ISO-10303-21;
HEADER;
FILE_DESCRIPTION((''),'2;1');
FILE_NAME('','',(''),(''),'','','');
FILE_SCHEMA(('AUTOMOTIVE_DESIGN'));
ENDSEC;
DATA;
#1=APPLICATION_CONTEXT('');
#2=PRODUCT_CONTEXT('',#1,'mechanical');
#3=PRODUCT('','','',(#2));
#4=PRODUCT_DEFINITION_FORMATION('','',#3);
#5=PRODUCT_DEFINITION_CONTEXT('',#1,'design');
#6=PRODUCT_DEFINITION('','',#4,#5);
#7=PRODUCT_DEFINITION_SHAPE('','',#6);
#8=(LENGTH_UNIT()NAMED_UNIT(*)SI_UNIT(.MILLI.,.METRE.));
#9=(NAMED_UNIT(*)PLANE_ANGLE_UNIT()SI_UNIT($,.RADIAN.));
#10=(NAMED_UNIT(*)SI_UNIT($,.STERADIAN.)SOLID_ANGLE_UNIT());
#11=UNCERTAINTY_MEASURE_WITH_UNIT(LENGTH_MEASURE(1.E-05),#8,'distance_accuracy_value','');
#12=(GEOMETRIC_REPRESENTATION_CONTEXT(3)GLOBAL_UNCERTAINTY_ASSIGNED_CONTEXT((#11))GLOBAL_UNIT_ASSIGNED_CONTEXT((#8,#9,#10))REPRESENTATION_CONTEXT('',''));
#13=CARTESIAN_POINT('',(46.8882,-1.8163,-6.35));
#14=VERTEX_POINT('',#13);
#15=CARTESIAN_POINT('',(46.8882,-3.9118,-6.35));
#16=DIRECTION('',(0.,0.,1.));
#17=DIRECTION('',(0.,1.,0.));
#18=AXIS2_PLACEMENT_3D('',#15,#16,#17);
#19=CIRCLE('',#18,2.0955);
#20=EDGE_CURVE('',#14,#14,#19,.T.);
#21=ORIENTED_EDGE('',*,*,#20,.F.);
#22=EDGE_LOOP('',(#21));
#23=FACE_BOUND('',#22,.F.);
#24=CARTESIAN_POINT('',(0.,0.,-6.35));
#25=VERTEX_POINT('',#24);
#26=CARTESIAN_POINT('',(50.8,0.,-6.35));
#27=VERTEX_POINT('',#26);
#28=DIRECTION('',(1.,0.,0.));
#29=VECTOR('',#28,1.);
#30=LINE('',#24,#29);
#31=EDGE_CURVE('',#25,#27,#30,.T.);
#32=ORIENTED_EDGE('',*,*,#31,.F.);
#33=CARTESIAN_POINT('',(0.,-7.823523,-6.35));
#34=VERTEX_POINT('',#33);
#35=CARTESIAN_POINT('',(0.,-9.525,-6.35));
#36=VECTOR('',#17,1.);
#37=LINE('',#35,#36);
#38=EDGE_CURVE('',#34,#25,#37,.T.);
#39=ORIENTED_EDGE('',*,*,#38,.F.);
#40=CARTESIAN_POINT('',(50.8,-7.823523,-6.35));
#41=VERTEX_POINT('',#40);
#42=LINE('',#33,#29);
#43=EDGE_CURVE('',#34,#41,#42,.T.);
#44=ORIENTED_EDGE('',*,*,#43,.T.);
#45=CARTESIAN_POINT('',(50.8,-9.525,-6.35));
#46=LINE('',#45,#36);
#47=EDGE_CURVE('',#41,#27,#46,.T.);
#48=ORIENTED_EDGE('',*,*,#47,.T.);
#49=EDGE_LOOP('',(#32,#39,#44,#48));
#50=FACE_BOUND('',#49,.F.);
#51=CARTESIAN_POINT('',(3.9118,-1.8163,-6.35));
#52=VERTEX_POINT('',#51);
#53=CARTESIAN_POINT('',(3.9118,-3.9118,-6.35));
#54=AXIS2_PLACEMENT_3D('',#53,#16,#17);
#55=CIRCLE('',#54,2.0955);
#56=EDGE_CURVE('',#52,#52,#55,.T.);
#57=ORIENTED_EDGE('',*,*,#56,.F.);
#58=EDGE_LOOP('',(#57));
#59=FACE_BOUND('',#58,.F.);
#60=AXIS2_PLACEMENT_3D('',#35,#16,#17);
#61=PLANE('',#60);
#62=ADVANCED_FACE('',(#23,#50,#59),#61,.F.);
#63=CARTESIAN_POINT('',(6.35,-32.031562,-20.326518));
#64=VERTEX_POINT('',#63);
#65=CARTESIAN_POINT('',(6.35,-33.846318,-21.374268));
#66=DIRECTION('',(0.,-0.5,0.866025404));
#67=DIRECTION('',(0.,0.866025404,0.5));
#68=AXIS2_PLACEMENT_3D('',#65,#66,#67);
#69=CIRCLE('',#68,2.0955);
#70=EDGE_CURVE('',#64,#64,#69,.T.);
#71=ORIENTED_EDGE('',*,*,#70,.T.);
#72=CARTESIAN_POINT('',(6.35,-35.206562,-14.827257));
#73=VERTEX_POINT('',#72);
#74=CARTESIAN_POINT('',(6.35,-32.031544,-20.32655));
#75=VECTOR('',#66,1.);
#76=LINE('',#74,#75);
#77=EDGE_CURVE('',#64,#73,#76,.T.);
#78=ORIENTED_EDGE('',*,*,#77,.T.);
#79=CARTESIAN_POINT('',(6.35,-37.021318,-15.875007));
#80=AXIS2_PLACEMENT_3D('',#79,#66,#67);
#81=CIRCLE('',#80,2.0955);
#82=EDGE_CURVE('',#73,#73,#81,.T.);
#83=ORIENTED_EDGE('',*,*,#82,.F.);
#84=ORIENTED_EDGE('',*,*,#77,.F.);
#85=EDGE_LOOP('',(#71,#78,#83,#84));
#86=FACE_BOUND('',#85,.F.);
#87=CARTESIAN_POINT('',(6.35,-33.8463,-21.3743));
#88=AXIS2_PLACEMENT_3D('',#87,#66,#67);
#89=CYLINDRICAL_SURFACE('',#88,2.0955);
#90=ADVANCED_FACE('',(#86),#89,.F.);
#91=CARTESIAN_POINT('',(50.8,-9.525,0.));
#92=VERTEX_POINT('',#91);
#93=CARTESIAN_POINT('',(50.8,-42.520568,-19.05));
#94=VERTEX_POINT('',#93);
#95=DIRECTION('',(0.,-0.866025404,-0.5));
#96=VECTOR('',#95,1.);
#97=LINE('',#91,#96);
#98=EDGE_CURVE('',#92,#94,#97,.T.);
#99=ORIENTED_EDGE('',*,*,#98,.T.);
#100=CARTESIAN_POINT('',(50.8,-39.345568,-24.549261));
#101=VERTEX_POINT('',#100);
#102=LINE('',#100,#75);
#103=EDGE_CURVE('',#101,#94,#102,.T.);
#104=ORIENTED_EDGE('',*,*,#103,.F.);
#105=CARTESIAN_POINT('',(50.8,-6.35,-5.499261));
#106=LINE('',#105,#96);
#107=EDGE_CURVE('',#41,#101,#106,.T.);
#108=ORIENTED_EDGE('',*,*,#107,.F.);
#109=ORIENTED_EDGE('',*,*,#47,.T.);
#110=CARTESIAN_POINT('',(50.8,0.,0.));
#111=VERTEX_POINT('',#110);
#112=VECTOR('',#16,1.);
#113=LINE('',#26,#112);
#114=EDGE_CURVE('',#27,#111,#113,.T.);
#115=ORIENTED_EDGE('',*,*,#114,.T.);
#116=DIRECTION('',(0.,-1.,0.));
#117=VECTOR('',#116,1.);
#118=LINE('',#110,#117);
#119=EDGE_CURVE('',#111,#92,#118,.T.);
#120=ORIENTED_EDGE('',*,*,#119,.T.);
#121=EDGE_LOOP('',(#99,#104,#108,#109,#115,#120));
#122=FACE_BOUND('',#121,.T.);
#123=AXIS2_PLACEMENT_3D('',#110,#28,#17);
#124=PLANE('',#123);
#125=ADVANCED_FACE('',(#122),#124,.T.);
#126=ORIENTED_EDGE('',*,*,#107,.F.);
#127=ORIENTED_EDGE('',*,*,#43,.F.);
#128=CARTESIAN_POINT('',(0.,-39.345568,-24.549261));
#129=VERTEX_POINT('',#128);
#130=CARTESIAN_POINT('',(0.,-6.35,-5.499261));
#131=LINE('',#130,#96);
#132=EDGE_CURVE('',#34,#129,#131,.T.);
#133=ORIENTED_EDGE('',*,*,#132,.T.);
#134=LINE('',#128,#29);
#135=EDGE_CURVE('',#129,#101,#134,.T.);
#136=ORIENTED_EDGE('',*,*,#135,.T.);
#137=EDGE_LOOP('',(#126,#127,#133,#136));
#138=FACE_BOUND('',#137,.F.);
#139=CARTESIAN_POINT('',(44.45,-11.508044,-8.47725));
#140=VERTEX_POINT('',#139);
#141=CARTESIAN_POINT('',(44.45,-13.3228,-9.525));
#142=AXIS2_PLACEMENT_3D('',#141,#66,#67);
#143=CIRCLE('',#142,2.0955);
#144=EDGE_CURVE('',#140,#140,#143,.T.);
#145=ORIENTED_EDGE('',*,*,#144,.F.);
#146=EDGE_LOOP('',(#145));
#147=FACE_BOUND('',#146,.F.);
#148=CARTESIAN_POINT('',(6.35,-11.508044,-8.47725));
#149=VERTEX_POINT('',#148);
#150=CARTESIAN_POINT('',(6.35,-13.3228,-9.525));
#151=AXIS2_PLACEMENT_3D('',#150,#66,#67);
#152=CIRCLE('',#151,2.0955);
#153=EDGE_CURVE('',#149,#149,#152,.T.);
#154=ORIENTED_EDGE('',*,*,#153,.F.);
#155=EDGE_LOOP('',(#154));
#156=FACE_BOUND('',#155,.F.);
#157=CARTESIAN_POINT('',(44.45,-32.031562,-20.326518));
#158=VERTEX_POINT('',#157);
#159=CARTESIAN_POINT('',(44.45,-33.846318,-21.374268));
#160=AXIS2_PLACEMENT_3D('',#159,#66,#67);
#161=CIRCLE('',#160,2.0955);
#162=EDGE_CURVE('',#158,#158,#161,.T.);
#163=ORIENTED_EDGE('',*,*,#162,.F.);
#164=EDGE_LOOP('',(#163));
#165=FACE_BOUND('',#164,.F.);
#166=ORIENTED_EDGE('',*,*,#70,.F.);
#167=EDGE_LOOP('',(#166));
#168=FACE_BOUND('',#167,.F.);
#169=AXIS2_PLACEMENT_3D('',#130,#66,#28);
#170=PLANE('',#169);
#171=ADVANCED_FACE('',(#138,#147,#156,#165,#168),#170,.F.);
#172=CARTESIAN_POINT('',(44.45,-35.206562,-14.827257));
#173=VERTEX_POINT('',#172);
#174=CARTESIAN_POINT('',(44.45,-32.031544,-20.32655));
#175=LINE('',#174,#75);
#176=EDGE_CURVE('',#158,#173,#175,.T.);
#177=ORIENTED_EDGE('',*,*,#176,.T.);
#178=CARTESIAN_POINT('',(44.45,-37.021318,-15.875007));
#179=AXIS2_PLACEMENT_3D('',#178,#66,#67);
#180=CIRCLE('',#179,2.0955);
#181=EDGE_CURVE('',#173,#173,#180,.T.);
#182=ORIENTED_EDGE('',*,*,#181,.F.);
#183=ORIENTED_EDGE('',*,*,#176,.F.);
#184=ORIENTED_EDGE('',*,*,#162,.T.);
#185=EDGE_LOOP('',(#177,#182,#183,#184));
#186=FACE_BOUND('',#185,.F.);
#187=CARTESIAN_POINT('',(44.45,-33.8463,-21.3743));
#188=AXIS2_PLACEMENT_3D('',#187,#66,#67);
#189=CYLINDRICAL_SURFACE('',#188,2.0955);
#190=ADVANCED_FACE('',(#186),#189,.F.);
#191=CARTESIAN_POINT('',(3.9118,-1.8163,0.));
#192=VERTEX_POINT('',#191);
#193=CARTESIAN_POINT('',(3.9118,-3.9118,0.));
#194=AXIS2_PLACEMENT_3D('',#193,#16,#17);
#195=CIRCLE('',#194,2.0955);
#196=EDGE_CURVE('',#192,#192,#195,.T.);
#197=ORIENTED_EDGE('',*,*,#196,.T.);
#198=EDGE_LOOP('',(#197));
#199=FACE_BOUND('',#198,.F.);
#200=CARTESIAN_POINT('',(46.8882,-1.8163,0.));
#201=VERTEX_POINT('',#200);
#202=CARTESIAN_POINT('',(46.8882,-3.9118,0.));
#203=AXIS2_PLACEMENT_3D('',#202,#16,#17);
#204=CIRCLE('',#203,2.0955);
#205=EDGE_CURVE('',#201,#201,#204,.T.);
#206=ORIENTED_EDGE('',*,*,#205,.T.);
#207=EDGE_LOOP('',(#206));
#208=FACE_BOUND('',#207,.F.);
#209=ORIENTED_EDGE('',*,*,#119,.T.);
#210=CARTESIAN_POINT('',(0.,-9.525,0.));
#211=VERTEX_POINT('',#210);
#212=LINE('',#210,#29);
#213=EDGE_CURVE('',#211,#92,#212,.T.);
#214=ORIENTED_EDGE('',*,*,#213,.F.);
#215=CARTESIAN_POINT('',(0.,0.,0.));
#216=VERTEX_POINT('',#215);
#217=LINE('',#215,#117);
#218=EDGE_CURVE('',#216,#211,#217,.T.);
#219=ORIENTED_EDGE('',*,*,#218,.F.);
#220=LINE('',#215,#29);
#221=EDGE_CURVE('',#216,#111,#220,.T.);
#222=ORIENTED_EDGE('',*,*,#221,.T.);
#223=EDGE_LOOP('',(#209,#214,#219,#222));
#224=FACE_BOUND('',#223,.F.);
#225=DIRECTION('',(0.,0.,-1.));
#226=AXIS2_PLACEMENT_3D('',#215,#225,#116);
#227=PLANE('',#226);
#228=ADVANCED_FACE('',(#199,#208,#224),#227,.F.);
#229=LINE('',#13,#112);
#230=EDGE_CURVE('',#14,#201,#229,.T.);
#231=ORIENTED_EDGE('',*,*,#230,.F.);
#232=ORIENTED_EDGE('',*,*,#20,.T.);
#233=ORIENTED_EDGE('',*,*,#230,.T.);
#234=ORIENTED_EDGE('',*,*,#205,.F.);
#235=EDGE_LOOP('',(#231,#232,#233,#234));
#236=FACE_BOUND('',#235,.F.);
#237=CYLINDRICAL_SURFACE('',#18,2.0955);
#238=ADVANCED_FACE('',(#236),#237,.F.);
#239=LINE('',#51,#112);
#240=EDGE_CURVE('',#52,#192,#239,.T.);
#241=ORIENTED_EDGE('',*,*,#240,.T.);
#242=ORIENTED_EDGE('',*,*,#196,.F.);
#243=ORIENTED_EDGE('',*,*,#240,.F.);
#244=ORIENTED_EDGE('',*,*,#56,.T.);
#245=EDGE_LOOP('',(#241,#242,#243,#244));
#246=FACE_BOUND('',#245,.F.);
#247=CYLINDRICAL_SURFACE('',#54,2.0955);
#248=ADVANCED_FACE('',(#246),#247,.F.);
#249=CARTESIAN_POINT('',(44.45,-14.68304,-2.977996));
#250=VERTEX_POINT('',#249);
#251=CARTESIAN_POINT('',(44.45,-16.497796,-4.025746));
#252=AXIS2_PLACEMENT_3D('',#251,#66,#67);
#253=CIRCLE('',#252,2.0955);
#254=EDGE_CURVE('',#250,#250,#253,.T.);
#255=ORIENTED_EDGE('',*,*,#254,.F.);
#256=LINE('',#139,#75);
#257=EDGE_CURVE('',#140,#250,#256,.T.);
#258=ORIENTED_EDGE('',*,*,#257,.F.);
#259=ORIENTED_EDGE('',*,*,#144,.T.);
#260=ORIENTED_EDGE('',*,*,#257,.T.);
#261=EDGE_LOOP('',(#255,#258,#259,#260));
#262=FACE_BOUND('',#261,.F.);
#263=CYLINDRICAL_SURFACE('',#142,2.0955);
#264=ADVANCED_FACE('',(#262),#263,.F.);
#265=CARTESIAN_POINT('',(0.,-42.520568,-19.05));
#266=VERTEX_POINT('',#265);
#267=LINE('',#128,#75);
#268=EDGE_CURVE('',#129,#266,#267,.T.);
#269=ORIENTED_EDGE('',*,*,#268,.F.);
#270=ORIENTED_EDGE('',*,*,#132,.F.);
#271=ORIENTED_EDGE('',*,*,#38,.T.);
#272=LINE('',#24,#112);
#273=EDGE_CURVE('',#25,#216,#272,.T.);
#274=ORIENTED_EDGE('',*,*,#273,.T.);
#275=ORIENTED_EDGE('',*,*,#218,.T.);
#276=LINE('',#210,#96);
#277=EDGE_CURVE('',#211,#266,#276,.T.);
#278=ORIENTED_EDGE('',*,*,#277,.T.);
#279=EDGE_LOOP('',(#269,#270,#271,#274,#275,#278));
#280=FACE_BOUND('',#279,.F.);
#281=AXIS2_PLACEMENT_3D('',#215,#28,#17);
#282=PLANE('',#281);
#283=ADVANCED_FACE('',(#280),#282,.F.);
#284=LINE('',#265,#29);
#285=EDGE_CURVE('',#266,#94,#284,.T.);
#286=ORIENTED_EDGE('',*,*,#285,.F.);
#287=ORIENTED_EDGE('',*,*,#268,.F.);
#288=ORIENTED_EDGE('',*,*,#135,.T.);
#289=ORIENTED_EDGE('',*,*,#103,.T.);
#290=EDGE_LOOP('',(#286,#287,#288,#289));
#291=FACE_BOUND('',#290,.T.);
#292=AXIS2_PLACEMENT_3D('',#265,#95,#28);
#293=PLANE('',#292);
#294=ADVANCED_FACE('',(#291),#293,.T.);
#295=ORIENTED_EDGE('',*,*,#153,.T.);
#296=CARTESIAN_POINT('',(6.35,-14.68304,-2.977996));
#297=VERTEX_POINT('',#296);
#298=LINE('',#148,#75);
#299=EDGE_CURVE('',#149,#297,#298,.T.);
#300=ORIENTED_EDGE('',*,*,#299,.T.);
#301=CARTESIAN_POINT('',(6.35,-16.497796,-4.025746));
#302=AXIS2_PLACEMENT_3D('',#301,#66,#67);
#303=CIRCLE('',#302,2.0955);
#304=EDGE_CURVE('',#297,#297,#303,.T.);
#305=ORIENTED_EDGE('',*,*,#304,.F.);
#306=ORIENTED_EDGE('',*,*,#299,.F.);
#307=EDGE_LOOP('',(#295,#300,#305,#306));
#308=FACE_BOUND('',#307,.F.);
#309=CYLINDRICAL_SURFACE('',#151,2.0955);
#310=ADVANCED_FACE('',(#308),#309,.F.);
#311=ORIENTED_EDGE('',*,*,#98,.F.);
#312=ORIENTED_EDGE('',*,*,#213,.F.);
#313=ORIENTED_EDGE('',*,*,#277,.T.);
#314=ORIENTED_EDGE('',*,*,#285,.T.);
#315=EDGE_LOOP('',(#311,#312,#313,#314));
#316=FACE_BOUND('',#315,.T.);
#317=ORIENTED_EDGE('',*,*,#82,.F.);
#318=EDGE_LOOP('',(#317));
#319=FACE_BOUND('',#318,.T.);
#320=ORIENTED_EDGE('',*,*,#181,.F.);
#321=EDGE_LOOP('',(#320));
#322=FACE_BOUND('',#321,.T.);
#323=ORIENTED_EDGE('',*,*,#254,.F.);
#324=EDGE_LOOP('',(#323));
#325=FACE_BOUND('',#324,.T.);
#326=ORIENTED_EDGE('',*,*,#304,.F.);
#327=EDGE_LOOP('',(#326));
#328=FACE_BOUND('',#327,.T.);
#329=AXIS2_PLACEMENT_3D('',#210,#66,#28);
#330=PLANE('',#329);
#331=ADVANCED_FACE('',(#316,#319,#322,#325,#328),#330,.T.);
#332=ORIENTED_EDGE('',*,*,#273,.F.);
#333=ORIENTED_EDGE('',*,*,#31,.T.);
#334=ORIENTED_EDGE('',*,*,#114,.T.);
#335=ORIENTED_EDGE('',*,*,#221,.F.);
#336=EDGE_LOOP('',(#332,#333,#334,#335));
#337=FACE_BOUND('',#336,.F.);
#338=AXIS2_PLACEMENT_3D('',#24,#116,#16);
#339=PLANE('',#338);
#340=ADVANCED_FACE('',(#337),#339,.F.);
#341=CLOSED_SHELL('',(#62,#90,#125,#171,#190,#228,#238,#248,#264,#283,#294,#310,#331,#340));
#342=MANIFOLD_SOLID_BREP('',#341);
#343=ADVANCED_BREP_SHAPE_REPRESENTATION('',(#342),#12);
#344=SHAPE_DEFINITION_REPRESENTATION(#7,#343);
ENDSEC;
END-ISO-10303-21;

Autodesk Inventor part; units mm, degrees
ref_plane "YZ Plane" through (0, 0, 0) normal (1, 0, 0) x (0, 1, 0)
ref_plane "XZ Plane" through (0, 0, 0) normal (0, 1, 0) x (-1, 0, 0)
sketch "Sketch1" plane through (0, 0, 0) normal (1, 0, 0) x (0, 1, 0)
  line L0 (0, 0) -> (-9.525, 0)
  line L1 (-9.525, 0) -> (-9.525, -6.35)
  line L2 (-9.525, -6.35) -> (0, -6.35)
  line L3 (0, -6.35) -> (0, 0)
  dimension "d0" = 9.525
  dimension "d1" = 6.35
extrude "Extrusion1" add sketch "Sketch1" along normal blind 50.8
ref_plane "Work Plane1" through (0, -9.525, 0) normal (0, -0.866, -0.5) x (1, 0, 0)
sketch "Sketch2" plane through (0, -9.525, 0) normal (0, -0.866, -0.5) x (1, 0, 0)
  line L0 (0, 0) -> (50.8, 0) projected
  line L1 (0, -5.4993) -> (0, -10.2618) projected
  line L2 (50.8, 0) -> (0, 0)
  line L3 (0, 0) -> (0, -6.35)
  line L4 (0, -6.35) -> (50.8, -6.35)
  line L5 (50.8, -6.35) -> (50.8, 0)
  point P0 (0, -4.7625)
  dimension "d5" = 6.35
extrude "Extrusion2" add sketch "Sketch2" along normal blind 38.1
sketch "Sketch3" plane through (50.8, 0, -6.35) normal (0, 0, -1) x (-1, 0, 0)
  line L0 (50.8, 0) -> (0, 0) projected
  line L1 (0, -7.8235) -> (0, 0) projected
  point P0 (3.9118, -3.9118)
  point P1 (46.8882, -3.9118)
  dimension "d8" = 3.9118
  dimension "d9" = 7.8235
  dimension "d10" = 3.9118
  dimension "d11" = 3.9118
  dimension "d12" = 3.9118
hole "Hole1" at (46.8882, -3.9118, -6.35) at (3.9118, -3.9118, -6.35) direction (0, 0, 1) diameter 4.191 end through all
sketch "Sketch4" plane through (50.8, -7.8235, -6.35) normal (0, 0.5, -0.866) x (-1, 0, 0)
  line L0 (0, 0) -> (50.8, 0) projected
  line L1 (0, 0) -> (0, -36.3985) projected
  line L2 (50.8, -36.3985) -> (0, -36.3985) projected
  line L3 (50.8, 0) -> (50.8, -36.3985) projected
  point P0 (50.8, 9.9504)
  point P1 (44.45, -6.35)
  point P2 (44.45, -30.0485)
  point P3 (6.35, -6.35)
  point P4 (6.35, -30.0485)
  dimension "d20" = 6.35
  dimension "d21" = 6.35
  dimension "d22" = 6.35
  dimension "d23" = 6.35
  dimension "d24" = 6.35
  dimension "d25" = 6.35
  dimension "d26" = 6.35
  dimension "d27" = 6.35
hole "Hole2" at (6.35, -13.3228, -9.525) at (6.35, -33.8463, -21.3743) at (44.45, -13.3228, -9.525) at (44.45, -33.8463, -21.3743) direction (0, -0.5, 0.866) diameter 4.191 end through all
equation "\"d8\" = 0.5 * d9"
equation "\"d10\" = d8"
equation "\"d11\" = d8"
equation "\"d12\" = d8"
equation "\"d21\" = d20"
equation "\"d22\" = d20"
equation "\"d23\" = d20"
equation "\"d24\" = d20"
equation "\"d25\" = d20"
equation "\"d26\" = d20"
equation "\"d27\" = d20"
properties part number "PaddleCollection2.1AngleBracket" material "Nylon 6/6"
